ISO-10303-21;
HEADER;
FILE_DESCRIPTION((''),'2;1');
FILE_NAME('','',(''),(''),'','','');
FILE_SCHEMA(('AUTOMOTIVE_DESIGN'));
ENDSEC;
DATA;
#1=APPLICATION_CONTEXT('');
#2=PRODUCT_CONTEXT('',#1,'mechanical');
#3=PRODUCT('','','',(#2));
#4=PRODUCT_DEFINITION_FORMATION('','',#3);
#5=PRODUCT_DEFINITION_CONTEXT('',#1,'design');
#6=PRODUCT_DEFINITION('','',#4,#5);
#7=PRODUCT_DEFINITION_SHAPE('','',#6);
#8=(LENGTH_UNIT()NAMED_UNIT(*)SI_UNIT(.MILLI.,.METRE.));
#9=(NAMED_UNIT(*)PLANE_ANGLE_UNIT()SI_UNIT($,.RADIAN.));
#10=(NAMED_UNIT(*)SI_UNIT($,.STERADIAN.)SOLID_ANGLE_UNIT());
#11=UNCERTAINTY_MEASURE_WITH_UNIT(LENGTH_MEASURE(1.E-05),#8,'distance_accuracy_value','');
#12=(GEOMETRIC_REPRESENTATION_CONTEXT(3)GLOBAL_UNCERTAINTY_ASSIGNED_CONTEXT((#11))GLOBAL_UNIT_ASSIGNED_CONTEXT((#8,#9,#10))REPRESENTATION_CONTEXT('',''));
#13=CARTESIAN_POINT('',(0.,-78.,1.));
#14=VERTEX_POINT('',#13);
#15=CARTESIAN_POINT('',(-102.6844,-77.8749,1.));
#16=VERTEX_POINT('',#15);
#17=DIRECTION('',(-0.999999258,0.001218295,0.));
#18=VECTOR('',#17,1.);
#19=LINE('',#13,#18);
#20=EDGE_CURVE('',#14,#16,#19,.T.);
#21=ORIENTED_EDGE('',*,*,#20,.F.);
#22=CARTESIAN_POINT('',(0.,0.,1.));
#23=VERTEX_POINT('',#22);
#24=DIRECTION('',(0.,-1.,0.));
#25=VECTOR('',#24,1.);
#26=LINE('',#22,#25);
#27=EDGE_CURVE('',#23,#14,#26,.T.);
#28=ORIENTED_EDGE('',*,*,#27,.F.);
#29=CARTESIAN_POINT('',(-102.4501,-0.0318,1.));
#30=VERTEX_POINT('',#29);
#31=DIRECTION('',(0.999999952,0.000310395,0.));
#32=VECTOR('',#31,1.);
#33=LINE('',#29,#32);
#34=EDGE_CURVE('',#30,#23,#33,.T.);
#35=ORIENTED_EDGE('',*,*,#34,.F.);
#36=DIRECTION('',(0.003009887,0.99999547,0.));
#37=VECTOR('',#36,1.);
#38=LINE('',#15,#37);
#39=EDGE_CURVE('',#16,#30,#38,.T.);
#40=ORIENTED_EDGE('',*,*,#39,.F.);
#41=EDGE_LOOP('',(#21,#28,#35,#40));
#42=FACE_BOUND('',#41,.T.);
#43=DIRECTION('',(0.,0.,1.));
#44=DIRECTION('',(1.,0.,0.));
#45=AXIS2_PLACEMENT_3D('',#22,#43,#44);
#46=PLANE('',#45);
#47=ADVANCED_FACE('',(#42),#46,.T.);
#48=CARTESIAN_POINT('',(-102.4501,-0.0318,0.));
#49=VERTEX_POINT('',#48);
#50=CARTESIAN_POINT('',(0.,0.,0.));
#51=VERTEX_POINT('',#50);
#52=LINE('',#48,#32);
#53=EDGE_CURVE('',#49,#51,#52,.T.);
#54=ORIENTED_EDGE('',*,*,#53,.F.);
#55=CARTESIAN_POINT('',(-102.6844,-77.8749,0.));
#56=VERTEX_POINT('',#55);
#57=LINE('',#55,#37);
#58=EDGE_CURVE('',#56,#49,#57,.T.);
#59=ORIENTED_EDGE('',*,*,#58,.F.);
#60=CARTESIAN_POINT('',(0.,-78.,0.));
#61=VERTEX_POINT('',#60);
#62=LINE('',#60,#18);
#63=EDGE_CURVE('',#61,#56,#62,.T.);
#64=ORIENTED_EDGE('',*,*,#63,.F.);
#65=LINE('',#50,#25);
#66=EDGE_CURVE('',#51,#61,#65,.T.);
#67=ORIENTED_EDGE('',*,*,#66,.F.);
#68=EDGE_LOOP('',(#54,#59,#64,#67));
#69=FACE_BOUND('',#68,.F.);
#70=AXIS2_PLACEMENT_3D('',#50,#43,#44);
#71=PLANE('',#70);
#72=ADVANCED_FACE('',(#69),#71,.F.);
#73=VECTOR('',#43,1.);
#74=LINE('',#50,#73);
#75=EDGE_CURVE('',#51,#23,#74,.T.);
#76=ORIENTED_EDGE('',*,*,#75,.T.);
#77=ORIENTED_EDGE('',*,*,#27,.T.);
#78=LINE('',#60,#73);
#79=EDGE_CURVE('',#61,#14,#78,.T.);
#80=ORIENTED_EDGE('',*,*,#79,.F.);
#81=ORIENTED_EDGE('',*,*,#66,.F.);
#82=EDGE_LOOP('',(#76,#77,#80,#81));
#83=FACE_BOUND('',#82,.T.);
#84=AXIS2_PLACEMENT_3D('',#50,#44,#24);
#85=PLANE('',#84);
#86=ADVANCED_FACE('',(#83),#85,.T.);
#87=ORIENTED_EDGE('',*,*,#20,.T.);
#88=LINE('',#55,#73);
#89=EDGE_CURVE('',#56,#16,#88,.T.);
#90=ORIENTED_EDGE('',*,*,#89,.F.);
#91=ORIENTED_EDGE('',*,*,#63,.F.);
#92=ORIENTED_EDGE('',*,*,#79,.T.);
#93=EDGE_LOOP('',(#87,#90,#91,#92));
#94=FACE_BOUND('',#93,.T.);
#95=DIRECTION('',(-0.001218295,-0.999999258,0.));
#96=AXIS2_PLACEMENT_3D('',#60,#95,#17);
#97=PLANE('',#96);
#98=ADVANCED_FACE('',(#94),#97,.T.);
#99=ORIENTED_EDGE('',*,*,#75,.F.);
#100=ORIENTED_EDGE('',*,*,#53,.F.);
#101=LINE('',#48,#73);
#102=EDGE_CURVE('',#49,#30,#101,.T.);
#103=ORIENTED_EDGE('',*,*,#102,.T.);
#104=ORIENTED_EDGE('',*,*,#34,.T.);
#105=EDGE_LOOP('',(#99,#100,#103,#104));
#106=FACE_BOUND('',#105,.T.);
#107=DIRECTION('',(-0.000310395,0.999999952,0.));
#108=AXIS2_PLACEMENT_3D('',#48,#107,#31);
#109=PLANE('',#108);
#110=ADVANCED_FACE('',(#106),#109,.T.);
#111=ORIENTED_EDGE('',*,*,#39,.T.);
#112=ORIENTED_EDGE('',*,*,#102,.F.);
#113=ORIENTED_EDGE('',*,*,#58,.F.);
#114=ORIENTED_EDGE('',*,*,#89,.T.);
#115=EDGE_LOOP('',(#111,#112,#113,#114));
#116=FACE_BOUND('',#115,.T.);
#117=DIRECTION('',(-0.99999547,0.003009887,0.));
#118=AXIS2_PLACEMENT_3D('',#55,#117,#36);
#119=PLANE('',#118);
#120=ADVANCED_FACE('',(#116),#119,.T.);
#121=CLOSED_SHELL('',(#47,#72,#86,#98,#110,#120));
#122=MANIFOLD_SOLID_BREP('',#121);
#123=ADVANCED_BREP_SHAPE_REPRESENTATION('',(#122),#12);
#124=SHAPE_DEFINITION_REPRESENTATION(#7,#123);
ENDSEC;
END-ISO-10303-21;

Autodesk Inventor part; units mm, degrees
ref_plane "YZ Plane" through (0, 0, 0) normal (1, 0, 0) x (0, 1, 0)
ref_plane "XZ Plane" through (0, 0, 0) normal (0, 1, 0) x (-1, 0, 0)
ref_plane "XY Plane" through (0, 0, 0) normal (0, 0, 1) x (1, 0, 0)
sketch "Sketch1" plane through (0, 0, 0) normal (0, 0, 1) x (1, 0, 0)
  line L0 (0, 0) -> (-102.2, 0) construction
  line L1 (4.8, 0.2) -> (-3.2, 0.2) construction
  line L2 (-102.6844, -6.0028) -> (-100.5, -6.0028) construction
  line L3 (-100.5, -6.0028) -> (-100.5, -3.2528) construction
  arc A0 (-97.5, -3.2528) -> (-100.5, -3.2528) centre (-99, -3.2528) ccw construction
  line L4 (-97.5, -3.2528) -> (-97.5, -6.0028) construction
  line L5 (-97.5, -6.0028) -> (-96.2, -6.0028) construction
  line L6 (-96.2, -6.0028) -> (-96.2, -0.5028) construction
  line L7 (-96.2, -0.5028) -> (-5.5, -0.5028) construction
  line L8 (-5.5, -0.5028) -> (-5.5, -6.0028) construction
  line L9 (-5.5, -6.0028) -> (-4.25, -6.0028) construction
  line L10 (-4.25, -6.0028) -> (-4.25, -3.2528) construction
  arc A1 (-1.25, -3.2528) -> (-4.25, -3.2528) centre (-2.75, -3.2528) ccw construction
  line L11 (-1.25, -3.2528) -> (-1.25, -6.0028) construction
  line L12 (-1.25, -6.0028) -> (0, -6.0028) construction
  line L13 (0, 0) -> (0, -6.0028) construction
  line L14 (-102.2, 0) -> (0, 0) construction
  arc A2 (-102.2, 0) -> (-102.6844, -0.1251) centre (-102.2, -1) ccw construction
  line L15 (-102.6844, -0.1251) -> (-102.6844, -6.0028) construction
  line L16 (-100.5, -72.0028) -> (-102.6844, -72.0028) construction
  line L17 (-102.6844, -72.0028) -> (-102.6844, -77.8749) construction
  arc A3 (-102.6844, -77.8749) -> (-102.2, -78) centre (-102.2, -77) ccw construction
  line L18 (0, -78) -> (-102.2, -78) construction
  line L19 (0, -72.0028) -> (0, -78) construction
  line L20 (0, -72.0028) -> (-1.25, -72.0028) construction
  line L21 (-1.25, -72.0028) -> (-1.25, -74.7528) construction
  arc A4 (-4.25, -74.7528) -> (-1.25, -74.7528) centre (-2.75, -74.7528) ccw construction
  line L22 (-4.25, -74.7528) -> (-4.25, -72.0028) construction
  line L23 (-4.25, -72.0028) -> (-5.5, -72.0028) construction
  line L24 (-5.5, -72.0028) -> (-5.5, -77.5028) construction
  line L25 (-5.5, -77.5028) -> (-96.2, -77.5028) construction
  line L26 (-96.2, -77.5028) -> (-96.2, -72.0028) construction
  line L27 (-96.2, -72.0028) -> (-97.5, -72.0028) construction
  line L28 (-97.5, -72.0028) -> (-97.5, -74.7528) construction
  arc A5 (-100.5, -74.7528) -> (-97.5, -74.7528) centre (-99, -74.7528) ccw construction
  line L29 (-100.5, -74.7528) -> (-100.5, -72.0028) construction
  line L30 (0, -78) -> (-102.6844, -77.8749)
  line L31 (-102.6844, -77.8749) -> (-102.4501, -0.0318)
  line L32 (-102.4501, -0.0318) -> (0, 0)
  line L33 (0, 0) -> (0, -78)
extrude "Extrusion1" add sketch "Sketch1" along normal blind 1
properties part number "Brain_demo_PCB"
